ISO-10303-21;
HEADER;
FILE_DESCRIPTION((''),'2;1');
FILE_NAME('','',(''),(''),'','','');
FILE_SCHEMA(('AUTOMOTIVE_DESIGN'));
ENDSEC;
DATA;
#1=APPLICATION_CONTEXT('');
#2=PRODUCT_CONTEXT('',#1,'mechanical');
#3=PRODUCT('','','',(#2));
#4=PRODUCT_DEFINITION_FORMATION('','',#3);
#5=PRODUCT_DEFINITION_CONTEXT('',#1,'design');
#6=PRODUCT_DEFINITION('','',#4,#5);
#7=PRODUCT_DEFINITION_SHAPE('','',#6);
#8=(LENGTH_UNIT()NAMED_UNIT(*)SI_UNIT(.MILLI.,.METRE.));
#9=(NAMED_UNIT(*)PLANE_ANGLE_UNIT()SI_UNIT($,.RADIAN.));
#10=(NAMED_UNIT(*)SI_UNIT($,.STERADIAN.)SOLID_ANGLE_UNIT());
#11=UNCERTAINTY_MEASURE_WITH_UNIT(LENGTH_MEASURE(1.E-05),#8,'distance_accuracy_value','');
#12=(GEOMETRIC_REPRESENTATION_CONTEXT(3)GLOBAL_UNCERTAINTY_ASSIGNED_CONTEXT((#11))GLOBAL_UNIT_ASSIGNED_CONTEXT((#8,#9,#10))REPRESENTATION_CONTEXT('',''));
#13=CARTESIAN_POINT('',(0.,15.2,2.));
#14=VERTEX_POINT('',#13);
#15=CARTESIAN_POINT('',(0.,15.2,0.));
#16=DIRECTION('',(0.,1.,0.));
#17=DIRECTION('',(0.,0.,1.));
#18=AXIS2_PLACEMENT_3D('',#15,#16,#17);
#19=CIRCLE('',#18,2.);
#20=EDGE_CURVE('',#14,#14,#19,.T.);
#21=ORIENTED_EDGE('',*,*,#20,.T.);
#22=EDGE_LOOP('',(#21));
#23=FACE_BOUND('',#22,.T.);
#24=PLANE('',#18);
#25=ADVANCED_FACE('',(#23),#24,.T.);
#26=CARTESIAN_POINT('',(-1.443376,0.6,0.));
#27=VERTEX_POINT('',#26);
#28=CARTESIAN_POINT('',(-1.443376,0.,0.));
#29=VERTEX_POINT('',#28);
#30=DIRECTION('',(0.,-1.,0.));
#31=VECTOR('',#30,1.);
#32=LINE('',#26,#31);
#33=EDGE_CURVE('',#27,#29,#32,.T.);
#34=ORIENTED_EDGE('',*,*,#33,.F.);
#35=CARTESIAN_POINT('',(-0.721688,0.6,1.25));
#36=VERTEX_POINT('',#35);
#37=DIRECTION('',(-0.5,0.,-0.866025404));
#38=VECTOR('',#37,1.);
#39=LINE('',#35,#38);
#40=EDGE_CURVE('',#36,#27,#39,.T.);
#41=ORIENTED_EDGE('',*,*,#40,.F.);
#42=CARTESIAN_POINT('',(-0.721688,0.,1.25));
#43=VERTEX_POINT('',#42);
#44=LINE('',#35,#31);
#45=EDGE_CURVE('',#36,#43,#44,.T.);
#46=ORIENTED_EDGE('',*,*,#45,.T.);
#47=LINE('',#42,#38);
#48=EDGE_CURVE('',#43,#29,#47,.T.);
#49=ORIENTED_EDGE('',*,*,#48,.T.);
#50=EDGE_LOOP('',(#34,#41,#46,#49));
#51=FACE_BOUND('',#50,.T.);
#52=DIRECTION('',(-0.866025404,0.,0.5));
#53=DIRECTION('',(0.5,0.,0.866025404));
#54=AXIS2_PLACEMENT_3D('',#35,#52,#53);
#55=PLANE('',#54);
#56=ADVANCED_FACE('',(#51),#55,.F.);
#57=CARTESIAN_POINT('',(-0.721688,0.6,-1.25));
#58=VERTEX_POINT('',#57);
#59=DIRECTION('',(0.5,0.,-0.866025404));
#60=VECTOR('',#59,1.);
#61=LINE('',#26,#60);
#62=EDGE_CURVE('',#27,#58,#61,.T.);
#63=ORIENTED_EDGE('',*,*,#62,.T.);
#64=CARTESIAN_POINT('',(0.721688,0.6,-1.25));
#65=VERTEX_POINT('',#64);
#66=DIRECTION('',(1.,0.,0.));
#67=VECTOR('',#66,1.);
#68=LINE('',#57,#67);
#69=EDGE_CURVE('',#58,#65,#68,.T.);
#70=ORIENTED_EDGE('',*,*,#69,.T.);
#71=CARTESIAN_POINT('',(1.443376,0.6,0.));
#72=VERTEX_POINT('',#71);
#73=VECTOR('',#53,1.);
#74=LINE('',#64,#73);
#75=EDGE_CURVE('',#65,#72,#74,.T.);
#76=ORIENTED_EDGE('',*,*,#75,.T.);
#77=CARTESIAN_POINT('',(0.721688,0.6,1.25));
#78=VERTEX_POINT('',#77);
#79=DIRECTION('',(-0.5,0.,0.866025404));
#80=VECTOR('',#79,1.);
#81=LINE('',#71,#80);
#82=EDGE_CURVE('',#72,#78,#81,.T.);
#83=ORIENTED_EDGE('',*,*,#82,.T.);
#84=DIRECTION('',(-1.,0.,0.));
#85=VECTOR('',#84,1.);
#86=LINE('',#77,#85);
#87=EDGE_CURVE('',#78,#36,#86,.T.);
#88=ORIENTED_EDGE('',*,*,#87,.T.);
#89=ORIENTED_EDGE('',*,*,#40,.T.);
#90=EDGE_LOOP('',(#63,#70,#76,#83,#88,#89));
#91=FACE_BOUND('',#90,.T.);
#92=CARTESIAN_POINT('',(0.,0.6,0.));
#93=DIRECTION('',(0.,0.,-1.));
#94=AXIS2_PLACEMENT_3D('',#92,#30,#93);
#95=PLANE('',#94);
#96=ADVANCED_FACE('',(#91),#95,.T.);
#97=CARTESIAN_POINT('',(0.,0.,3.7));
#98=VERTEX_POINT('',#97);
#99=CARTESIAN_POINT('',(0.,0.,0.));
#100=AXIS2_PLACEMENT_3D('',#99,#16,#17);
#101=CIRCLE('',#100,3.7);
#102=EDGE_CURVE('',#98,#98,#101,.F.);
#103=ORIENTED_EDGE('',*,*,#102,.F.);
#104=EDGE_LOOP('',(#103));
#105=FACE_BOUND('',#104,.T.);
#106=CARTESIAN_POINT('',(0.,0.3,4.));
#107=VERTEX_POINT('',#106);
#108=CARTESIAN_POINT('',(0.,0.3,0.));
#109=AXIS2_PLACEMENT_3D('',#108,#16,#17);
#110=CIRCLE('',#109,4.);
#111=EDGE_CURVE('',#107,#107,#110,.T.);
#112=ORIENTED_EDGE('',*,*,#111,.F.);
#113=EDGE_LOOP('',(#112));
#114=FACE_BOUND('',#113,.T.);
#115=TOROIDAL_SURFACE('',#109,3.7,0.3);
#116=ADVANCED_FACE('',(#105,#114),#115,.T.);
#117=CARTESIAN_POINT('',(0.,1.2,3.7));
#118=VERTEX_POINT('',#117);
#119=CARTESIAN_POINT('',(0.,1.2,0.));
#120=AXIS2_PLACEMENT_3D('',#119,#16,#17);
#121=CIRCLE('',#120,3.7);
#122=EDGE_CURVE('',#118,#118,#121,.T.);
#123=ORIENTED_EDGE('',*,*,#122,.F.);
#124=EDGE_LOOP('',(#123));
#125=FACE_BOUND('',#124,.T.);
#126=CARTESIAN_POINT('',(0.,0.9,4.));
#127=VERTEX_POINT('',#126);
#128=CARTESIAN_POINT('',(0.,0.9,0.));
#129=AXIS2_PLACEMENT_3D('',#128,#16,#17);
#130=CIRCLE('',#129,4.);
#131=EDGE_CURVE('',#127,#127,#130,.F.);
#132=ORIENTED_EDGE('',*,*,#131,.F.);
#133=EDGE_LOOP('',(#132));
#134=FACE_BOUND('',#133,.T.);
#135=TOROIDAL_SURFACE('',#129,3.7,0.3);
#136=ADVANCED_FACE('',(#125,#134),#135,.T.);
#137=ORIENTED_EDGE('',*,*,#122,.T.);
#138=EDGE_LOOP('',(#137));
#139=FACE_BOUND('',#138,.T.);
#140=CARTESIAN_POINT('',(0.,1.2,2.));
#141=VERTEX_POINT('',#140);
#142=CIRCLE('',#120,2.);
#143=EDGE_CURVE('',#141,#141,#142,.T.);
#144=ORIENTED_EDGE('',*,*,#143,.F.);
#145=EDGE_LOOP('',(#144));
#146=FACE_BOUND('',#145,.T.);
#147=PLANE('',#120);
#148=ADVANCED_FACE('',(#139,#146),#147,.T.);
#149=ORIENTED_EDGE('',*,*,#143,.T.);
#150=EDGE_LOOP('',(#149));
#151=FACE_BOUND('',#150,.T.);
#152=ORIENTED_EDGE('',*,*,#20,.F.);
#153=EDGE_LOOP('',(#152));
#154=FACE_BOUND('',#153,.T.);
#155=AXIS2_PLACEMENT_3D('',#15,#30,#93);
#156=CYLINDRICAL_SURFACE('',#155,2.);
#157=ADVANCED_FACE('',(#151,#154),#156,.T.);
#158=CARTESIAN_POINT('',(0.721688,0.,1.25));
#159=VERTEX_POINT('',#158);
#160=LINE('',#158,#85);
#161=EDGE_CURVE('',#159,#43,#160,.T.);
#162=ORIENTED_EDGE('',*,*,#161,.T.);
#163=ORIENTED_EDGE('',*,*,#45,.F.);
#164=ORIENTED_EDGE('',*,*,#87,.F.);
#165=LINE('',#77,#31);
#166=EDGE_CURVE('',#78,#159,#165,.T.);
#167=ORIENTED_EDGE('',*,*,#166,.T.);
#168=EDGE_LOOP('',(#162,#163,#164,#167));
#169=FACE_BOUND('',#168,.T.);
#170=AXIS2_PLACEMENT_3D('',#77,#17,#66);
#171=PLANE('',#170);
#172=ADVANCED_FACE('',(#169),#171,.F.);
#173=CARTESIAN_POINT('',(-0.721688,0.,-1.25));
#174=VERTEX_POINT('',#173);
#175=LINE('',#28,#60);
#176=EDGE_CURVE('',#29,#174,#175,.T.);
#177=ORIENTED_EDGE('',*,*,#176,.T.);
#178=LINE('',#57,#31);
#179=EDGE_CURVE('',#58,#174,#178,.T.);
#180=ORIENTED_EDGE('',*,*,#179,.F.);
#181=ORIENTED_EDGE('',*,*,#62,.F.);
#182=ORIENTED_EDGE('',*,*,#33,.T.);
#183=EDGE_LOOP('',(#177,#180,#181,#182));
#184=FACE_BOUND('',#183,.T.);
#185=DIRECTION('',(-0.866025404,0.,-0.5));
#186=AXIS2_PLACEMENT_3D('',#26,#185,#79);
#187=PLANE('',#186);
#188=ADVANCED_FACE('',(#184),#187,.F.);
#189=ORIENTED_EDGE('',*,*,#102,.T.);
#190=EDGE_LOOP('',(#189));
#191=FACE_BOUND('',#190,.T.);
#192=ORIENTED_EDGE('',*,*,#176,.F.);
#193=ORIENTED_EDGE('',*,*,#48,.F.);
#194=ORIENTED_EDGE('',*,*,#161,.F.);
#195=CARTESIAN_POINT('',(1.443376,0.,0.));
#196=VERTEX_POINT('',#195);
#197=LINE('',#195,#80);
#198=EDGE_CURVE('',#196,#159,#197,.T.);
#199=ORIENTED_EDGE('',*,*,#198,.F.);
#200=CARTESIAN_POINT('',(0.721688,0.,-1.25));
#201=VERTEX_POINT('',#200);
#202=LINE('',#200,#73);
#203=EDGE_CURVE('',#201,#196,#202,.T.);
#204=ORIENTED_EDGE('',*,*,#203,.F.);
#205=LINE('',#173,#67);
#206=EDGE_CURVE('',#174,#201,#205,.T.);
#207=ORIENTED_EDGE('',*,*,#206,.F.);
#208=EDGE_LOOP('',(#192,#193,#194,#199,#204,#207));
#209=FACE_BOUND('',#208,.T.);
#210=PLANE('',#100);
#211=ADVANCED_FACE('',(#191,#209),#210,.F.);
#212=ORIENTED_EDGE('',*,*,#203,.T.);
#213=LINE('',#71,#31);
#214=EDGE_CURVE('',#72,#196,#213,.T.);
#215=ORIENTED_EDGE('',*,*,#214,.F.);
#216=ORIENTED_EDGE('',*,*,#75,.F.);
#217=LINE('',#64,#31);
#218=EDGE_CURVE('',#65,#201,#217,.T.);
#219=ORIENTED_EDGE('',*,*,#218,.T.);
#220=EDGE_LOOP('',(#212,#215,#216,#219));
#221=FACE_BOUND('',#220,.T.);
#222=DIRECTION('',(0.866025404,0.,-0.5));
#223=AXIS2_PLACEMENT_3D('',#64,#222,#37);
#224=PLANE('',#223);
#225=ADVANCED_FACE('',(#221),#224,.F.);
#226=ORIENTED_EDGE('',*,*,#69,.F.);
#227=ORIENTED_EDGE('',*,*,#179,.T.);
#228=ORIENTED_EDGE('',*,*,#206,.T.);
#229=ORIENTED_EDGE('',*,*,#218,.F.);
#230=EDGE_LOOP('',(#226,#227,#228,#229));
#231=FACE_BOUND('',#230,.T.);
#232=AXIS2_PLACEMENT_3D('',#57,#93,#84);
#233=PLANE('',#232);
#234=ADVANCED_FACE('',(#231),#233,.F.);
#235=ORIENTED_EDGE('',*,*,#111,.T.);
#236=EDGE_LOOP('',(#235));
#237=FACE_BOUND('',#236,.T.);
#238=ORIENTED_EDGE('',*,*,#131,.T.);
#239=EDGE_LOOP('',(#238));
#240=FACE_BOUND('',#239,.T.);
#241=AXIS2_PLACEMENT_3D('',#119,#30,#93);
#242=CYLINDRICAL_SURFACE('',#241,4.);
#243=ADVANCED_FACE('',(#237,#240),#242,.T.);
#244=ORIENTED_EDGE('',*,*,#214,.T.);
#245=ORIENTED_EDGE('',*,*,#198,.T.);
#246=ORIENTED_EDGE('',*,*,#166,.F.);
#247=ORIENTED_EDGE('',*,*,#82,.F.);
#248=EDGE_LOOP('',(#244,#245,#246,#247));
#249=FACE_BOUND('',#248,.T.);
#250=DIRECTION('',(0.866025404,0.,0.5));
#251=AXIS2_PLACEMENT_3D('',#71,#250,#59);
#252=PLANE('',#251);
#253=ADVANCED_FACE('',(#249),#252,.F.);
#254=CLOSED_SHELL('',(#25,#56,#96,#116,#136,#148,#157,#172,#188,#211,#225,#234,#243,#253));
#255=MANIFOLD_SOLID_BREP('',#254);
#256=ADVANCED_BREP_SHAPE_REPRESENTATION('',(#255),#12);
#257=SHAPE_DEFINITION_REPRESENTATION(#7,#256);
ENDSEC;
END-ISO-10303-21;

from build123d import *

# Parameters (mm, degrees)
SKETCH1_R           = 4
BOSS_EXTRUDE1_DEPTH = 1.2
SKETCH2_R           = 2
BOSS_EXTRUDE2_DEPTH = 14
FILLET2_R           = 0.3
CUT_EXTRUDE1_DEPTH  = 0.6


with BuildPart() as part:
    # Sketch1 → Boss-Extrude1 (new body)
    with BuildSketch(Plane(origin=(0, 0, 0), x_dir=(1, 0, 0), z_dir=(0, 1, 0))):
        with Locations(Location((0, 0, 0), (0, 0, 270))):
            Circle(SKETCH1_R)
    extrude(amount=BOSS_EXTRUDE1_DEPTH)

    # Sketch2 → Boss-Extrude2 (add)
    with BuildSketch(Plane(origin=(0, 1.2, 0), x_dir=(1, 0, 0), z_dir=(0, 1, 0))):
        with Locations(Location((0, 0, 0), (0, 0, 270))):
            Circle(SKETCH2_R)
    extrude(amount=BOSS_EXTRUDE2_DEPTH)

    # Fillet2
    fillet2_edges = [part.edges().sort_by_distance(p)[0] for p in [
        (0, 0, -4),
        (0, 1.2, -4),
    ]]
    fillet(fillet2_edges, radius=FILLET2_R)

    # Sketch3 → Cut-Extrude1 (cut)
    with BuildSketch(Plane.XZ):
        Polygon((1.443375673, 0), (0.721687836, 1.25), (-0.721687836, 1.25), (-1.443375673, 0), (-0.721687836, -1.25), (0.721687836, -1.25), align=None)
    extrude(amount=-CUT_EXTRUDE1_DEPTH, mode=Mode.SUBTRACT)


solid = part.part
